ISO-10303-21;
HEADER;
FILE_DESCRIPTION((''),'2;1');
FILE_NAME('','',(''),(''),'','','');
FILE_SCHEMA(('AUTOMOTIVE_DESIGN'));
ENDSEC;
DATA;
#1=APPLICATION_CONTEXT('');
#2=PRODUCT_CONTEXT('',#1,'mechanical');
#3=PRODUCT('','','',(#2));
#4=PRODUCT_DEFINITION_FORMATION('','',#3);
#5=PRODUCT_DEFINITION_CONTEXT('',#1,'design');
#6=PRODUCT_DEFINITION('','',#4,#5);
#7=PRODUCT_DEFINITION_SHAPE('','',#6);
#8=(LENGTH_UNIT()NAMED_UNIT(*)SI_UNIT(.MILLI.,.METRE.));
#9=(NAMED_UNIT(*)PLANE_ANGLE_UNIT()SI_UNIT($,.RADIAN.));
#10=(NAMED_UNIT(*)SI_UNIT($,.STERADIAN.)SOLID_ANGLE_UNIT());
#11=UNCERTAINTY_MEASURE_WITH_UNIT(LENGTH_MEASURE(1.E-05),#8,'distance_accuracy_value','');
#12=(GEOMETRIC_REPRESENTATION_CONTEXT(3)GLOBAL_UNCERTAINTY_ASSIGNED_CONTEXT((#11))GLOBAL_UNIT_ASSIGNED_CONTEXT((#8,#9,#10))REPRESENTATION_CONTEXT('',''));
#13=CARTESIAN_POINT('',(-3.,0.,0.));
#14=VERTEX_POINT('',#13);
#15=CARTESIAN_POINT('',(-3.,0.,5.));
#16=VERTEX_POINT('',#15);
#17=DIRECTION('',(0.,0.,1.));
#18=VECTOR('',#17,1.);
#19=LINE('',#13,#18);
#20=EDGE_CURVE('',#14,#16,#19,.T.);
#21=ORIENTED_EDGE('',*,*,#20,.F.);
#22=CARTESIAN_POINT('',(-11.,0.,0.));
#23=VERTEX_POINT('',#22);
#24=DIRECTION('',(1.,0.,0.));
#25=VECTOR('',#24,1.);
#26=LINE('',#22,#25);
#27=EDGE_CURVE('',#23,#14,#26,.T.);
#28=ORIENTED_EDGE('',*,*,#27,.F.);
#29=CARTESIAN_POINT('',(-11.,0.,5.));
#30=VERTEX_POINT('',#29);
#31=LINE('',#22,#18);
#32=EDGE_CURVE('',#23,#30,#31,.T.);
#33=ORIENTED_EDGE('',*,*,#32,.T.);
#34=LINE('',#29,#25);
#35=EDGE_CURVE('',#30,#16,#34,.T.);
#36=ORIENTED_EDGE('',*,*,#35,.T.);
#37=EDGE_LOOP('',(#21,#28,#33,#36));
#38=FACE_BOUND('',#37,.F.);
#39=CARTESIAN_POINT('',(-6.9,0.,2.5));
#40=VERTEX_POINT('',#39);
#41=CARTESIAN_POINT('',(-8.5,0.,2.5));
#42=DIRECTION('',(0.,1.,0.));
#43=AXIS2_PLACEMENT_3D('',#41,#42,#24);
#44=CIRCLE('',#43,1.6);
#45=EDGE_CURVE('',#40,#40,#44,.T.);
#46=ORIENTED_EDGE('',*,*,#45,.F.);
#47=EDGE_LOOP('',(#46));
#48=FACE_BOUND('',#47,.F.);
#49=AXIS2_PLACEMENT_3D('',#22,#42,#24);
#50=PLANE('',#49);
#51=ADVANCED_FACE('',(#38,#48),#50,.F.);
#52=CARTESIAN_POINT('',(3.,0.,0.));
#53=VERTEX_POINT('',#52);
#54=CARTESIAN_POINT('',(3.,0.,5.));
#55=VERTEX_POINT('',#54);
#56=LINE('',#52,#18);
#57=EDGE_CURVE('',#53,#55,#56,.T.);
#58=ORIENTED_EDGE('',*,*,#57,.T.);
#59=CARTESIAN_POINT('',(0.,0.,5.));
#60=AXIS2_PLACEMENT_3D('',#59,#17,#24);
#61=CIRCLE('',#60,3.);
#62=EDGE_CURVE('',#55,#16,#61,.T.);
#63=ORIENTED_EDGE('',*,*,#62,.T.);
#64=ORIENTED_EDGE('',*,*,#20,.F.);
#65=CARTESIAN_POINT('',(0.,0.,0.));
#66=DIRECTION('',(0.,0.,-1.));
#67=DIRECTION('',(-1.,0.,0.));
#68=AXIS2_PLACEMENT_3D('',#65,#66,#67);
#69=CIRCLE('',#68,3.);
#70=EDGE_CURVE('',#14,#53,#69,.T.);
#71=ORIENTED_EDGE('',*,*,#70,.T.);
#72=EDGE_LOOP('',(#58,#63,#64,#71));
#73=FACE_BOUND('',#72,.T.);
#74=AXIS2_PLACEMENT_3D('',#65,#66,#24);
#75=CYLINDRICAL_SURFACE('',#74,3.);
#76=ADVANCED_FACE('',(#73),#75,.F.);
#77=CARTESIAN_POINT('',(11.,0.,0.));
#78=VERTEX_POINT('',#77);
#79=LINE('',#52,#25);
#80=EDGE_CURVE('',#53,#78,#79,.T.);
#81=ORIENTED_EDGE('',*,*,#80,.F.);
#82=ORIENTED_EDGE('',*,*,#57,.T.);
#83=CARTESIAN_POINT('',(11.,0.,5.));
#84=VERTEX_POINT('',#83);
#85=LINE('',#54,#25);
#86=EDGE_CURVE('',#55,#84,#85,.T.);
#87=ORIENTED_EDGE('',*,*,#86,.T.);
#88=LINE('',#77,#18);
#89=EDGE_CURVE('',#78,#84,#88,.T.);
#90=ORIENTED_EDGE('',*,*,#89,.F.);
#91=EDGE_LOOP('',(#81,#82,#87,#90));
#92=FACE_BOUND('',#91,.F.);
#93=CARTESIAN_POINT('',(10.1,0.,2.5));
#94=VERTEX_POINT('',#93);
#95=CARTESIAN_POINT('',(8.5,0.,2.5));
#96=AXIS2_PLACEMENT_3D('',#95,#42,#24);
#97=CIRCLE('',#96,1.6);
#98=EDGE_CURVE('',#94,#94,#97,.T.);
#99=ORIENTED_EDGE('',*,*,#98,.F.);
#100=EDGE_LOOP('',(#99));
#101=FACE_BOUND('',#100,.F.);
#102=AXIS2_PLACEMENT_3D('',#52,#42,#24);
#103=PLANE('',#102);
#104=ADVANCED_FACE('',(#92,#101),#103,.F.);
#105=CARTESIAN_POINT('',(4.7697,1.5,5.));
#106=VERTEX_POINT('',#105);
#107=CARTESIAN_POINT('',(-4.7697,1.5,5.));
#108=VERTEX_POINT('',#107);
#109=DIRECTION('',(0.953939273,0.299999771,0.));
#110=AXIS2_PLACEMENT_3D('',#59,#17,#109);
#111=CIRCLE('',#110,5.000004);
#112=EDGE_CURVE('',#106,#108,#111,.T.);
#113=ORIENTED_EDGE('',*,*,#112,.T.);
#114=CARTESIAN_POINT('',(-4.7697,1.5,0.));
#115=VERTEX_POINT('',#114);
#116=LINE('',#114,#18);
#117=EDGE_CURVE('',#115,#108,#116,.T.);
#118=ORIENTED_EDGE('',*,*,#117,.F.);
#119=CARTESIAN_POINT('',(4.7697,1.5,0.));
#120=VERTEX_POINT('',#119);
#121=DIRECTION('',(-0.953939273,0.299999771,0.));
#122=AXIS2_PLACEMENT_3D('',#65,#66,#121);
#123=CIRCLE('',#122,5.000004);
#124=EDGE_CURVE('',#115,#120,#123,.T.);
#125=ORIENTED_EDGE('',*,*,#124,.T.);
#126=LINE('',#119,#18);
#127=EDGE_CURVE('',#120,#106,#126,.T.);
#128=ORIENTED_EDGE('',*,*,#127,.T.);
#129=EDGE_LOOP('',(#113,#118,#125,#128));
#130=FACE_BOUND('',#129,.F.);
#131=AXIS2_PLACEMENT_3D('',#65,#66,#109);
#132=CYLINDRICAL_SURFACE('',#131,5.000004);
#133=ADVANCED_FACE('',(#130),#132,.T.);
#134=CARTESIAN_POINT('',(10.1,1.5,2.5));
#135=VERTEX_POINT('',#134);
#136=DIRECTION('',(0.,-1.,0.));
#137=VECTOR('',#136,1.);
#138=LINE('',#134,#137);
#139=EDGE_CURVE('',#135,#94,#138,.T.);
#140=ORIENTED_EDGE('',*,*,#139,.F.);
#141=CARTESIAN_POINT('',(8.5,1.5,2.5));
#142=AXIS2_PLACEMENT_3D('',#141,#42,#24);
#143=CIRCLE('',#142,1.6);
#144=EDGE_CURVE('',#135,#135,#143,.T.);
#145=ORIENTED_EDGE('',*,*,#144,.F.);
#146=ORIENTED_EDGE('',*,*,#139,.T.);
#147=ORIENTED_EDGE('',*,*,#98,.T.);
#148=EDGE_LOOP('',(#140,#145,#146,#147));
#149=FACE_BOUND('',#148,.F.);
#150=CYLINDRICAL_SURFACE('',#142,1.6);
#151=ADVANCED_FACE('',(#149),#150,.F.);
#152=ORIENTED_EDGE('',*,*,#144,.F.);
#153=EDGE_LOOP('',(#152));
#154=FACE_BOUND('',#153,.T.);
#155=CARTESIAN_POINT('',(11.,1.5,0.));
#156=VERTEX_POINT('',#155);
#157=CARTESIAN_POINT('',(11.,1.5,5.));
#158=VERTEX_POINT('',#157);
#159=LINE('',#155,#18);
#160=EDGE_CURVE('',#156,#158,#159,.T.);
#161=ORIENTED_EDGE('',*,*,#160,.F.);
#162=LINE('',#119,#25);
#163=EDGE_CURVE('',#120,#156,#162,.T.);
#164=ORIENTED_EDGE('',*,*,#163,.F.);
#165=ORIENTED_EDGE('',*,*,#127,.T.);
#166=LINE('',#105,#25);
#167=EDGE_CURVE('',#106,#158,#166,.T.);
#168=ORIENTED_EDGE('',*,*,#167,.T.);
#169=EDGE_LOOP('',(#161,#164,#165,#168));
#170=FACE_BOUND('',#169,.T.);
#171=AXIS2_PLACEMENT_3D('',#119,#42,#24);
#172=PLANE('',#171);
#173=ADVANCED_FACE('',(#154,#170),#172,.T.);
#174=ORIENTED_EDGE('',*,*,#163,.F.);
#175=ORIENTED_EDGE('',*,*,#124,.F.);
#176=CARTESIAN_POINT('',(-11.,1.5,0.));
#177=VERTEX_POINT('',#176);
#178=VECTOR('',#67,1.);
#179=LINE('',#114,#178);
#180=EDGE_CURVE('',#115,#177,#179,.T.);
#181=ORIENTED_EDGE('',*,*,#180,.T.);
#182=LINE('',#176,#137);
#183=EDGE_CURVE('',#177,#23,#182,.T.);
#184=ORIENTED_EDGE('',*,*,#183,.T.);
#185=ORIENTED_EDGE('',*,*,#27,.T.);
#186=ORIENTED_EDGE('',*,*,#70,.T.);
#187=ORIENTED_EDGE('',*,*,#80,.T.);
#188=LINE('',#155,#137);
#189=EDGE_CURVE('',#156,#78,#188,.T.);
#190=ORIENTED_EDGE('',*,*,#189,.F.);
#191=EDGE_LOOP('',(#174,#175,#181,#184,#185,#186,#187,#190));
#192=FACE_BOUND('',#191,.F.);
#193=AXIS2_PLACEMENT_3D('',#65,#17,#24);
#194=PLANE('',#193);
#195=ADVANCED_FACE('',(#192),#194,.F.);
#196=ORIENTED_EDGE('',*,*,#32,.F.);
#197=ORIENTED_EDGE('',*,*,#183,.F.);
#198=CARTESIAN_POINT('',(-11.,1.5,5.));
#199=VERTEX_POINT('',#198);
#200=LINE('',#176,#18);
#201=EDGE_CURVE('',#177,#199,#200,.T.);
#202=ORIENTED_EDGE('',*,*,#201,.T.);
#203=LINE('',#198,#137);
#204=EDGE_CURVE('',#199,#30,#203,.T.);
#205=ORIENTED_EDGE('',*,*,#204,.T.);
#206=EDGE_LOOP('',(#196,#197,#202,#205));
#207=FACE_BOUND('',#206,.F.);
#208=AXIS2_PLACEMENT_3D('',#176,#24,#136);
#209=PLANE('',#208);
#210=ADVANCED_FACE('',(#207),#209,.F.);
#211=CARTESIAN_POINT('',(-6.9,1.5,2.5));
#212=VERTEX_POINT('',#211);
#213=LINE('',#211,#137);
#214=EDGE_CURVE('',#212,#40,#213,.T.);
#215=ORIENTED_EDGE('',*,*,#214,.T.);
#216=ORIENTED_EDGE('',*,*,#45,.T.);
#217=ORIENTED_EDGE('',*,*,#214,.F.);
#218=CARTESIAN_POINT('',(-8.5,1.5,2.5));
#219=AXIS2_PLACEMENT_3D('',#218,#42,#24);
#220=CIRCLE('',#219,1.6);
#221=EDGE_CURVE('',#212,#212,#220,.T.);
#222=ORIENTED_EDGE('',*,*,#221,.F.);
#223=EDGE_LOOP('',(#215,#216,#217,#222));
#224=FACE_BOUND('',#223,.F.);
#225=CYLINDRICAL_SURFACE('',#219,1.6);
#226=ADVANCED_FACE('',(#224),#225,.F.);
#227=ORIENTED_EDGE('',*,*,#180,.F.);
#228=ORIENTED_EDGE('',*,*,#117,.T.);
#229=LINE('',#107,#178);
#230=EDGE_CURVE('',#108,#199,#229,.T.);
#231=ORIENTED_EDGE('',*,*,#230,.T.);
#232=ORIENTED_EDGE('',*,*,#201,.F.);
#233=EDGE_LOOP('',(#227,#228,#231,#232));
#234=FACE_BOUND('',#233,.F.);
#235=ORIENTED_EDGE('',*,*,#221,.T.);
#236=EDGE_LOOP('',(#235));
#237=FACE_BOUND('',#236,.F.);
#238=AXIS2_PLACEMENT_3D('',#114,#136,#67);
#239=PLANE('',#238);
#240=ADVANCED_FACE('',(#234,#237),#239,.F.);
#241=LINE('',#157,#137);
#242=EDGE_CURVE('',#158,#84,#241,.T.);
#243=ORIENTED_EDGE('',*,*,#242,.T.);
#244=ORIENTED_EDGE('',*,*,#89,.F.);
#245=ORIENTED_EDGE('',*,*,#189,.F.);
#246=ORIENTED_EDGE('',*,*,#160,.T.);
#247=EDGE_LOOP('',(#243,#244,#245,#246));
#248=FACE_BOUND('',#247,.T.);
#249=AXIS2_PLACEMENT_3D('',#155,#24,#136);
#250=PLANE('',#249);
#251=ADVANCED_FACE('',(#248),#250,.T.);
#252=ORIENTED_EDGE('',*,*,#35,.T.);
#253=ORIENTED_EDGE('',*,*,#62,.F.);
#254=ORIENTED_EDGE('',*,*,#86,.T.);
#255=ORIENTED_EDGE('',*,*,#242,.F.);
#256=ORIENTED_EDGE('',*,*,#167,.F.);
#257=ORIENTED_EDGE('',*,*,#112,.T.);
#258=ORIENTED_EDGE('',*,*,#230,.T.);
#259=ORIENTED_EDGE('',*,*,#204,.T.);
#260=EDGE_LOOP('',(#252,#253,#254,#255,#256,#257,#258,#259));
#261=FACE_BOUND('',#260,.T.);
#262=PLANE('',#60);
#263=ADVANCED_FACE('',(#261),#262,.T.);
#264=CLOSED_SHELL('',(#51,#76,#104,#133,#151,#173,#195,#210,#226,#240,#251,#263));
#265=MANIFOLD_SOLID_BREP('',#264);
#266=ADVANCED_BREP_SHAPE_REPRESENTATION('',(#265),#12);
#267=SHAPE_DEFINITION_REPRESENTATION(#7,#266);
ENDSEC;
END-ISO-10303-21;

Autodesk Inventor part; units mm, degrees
ref_plane "YZ Plane" through (0, 0, 0) normal (1, 0, 0) x (0, 1, 0)
ref_plane "XZ Plane" through (0, 0, 0) normal (0, 1, 0) x (-1, 0, 0)
ref_plane "XY Plane" through (0, 0, 0) normal (0, 0, 1) x (1, 0, 0)
sketch "Sketch1" plane through (0, 0, 0) normal (0, 0, 1) x (1, 0, 0)
  arc A0 (3, 0) -> (-3, 0) centre (0, 0) ccw
  line L0 (-3, 0) -> (-3, 1.5)
  line L1 (-4.7697, 1.5) -> (-11, 1.5)
  line L2 (-11, 1.5) -> (-11, 0)
  line L3 (0, -6.0366) -> (0, 6.6089)
  line L4 (3, 0) -> (3, 1.5)
  line L5 (4.7697, 1.5) -> (11, 1.5)
  line L6 (11, 1.5) -> (11, -1.5)
  arc A1 (4.7697, 1.5) -> (-4.7697, 1.5) centre (0, 0) ccw
  line L7 (3, 0) -> (15.1032, 0)
  line L8 (-11, 0) -> (-3, 0)
  line L9 (3, 0) -> (11, 0)
  dimension "d0" = 6
  dimension "d2" = 1.5
  dimension "d3" = 8
  dimension "d5" = 1.5
  dimension "d6" = 8
extrude "Extrusion1" add sketch "Sketch1" along normal blind 5
sketch "Sketch2" plane through (-11, 1.5, 0) normal (0, 1, 0) x (1, 0, 0)
  line L0 (0, -5) -> (8, -5) projected
  line L1 (0, -5) -> (5, -5)
  line L2 (5, -5) -> (5, 0)
  line L3 (5, 0) -> (0, 0)
  line L4 (0, 0) -> (0, -5)
  circle A0 centre (2.5, -2.5) radius 1.6
  line L5 (11, 0) -> (11, -5)
  circle A1 centre (19.5, -2.5) radius 1.6
  dimension "d10" = 5
  dimension "d11" = 3.2
extrude "Extrusion2" cut sketch "Sketch2" against normal blind 5 contours A0 | A1
properties part number "LazerHolder"
